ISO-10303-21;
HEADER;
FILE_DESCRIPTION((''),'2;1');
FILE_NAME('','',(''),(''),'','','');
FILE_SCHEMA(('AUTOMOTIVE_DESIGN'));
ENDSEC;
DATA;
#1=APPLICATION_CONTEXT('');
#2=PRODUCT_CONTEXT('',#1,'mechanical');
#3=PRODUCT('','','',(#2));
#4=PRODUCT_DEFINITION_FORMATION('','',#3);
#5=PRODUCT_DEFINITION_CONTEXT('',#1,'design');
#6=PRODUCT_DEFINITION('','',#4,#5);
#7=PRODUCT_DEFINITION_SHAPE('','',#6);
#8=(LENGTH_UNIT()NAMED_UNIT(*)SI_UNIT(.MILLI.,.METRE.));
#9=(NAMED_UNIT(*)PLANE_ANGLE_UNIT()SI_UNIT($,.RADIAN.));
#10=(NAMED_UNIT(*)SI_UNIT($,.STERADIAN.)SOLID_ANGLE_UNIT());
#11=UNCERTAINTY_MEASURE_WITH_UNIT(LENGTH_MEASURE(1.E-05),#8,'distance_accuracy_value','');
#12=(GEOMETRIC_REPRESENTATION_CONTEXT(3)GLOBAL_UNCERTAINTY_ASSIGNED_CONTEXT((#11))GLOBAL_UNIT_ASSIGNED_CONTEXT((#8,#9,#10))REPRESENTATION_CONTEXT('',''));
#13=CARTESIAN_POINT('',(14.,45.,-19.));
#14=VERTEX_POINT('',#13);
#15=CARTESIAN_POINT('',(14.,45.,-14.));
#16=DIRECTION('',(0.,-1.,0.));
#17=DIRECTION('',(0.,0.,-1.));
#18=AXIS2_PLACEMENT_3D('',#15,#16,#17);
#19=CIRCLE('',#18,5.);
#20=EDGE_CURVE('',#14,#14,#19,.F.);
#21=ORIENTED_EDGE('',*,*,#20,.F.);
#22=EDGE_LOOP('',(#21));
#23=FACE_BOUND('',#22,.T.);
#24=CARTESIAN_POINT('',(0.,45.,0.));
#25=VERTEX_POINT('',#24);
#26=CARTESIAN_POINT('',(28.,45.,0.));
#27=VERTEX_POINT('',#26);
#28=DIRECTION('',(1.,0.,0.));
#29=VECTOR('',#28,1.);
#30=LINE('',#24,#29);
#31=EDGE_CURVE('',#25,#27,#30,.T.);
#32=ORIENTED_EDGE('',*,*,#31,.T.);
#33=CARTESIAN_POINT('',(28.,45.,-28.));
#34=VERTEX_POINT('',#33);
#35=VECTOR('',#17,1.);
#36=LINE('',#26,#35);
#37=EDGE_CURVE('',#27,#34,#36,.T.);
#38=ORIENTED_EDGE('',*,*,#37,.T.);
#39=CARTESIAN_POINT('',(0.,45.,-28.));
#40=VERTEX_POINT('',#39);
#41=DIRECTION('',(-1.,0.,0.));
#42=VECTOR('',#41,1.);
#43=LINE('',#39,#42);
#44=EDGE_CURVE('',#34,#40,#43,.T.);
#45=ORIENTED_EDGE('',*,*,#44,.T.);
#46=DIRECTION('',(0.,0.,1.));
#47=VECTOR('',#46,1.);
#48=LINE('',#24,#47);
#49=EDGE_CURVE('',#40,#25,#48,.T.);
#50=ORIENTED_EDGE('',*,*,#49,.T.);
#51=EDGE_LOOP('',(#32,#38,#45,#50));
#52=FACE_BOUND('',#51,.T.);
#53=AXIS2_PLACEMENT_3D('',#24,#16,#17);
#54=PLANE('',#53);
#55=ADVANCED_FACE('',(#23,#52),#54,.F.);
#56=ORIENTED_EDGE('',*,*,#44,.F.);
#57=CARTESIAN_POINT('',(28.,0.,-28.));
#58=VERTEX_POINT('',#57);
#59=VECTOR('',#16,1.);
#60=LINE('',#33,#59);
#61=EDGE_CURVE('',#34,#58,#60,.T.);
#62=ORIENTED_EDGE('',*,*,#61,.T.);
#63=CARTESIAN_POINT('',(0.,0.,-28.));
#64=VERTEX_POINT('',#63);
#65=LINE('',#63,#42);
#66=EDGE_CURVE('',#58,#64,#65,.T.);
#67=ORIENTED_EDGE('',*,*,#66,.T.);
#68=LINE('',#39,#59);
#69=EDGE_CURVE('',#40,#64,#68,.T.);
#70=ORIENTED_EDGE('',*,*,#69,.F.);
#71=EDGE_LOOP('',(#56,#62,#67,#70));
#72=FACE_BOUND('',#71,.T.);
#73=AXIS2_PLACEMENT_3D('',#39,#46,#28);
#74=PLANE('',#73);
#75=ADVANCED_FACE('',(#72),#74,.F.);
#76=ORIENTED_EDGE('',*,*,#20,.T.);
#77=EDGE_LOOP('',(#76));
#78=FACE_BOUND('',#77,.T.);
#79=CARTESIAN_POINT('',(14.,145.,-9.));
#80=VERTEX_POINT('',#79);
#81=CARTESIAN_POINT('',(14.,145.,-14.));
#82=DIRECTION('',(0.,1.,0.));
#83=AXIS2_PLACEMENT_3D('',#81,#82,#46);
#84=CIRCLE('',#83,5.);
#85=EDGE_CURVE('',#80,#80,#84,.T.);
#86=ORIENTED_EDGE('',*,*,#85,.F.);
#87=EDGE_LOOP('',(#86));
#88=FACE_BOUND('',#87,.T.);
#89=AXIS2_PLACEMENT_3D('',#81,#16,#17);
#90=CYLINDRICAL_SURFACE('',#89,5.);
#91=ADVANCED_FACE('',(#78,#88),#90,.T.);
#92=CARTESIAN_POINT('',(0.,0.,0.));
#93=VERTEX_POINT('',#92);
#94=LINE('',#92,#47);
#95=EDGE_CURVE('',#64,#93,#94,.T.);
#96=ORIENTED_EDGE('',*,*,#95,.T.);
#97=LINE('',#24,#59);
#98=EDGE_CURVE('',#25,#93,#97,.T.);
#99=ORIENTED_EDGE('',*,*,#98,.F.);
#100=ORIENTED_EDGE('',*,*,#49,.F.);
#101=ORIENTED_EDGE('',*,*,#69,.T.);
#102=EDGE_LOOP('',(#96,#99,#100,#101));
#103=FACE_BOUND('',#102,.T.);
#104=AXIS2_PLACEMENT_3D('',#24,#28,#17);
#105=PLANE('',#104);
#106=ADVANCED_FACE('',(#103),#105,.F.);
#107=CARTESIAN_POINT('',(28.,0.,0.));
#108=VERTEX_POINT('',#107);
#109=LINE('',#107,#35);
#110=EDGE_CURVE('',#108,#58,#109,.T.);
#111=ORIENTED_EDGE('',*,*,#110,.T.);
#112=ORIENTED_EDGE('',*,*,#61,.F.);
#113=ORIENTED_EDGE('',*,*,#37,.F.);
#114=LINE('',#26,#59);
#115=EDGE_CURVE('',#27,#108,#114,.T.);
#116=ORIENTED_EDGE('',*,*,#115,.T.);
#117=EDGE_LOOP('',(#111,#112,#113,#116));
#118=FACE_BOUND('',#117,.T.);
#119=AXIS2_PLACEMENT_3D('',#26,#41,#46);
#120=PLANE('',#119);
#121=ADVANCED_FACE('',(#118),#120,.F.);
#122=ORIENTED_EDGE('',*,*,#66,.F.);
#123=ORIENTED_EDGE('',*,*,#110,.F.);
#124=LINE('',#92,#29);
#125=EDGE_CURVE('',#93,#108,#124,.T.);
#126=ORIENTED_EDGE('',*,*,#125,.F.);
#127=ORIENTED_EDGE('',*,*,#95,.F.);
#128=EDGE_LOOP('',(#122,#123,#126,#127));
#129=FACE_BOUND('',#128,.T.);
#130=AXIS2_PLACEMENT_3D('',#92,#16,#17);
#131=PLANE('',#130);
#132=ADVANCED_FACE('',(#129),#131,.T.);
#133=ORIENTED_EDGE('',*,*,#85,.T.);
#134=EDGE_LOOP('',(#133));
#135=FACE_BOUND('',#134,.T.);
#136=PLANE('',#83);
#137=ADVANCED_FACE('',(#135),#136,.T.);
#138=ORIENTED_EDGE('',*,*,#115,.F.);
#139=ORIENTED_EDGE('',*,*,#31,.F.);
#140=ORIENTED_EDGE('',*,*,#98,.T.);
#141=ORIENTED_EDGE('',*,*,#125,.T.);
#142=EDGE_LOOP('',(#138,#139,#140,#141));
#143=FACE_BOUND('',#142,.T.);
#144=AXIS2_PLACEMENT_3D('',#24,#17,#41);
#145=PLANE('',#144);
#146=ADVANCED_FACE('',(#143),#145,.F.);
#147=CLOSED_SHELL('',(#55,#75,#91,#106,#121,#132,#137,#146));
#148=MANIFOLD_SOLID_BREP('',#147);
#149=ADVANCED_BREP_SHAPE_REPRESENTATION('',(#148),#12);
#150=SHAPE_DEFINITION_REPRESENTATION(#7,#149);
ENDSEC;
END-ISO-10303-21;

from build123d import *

# Parameters (mm, degrees)
SKETCH1_W      = 28
SKETCH1_H      = 28
EXTRUDE1_DEPTH = 45
SKETCH2_R      = 5
EXTRUDE2_DEPTH = 100


with BuildPart() as part:
    # Sketch1 → Extrude1 (new body)
    with BuildSketch(Plane(origin=(0, 0, 0), x_dir=(1, 0, 0), z_dir=(0, 1, 0))):
        with Locations((14, 14)):
            Rectangle(SKETCH1_W, SKETCH1_H)
    extrude(amount=EXTRUDE1_DEPTH)

    # Sketch2 → Extrude2 (add)
    with BuildSketch(Plane(origin=(0, 45, 0), x_dir=(1, 0, 0), z_dir=(0, 1, 0))):
        with Locations(Location((14, 14, 0), (0, 0, 90))):
            Circle(SKETCH2_R)
    extrude(amount=EXTRUDE2_DEPTH)


solid = part.part
